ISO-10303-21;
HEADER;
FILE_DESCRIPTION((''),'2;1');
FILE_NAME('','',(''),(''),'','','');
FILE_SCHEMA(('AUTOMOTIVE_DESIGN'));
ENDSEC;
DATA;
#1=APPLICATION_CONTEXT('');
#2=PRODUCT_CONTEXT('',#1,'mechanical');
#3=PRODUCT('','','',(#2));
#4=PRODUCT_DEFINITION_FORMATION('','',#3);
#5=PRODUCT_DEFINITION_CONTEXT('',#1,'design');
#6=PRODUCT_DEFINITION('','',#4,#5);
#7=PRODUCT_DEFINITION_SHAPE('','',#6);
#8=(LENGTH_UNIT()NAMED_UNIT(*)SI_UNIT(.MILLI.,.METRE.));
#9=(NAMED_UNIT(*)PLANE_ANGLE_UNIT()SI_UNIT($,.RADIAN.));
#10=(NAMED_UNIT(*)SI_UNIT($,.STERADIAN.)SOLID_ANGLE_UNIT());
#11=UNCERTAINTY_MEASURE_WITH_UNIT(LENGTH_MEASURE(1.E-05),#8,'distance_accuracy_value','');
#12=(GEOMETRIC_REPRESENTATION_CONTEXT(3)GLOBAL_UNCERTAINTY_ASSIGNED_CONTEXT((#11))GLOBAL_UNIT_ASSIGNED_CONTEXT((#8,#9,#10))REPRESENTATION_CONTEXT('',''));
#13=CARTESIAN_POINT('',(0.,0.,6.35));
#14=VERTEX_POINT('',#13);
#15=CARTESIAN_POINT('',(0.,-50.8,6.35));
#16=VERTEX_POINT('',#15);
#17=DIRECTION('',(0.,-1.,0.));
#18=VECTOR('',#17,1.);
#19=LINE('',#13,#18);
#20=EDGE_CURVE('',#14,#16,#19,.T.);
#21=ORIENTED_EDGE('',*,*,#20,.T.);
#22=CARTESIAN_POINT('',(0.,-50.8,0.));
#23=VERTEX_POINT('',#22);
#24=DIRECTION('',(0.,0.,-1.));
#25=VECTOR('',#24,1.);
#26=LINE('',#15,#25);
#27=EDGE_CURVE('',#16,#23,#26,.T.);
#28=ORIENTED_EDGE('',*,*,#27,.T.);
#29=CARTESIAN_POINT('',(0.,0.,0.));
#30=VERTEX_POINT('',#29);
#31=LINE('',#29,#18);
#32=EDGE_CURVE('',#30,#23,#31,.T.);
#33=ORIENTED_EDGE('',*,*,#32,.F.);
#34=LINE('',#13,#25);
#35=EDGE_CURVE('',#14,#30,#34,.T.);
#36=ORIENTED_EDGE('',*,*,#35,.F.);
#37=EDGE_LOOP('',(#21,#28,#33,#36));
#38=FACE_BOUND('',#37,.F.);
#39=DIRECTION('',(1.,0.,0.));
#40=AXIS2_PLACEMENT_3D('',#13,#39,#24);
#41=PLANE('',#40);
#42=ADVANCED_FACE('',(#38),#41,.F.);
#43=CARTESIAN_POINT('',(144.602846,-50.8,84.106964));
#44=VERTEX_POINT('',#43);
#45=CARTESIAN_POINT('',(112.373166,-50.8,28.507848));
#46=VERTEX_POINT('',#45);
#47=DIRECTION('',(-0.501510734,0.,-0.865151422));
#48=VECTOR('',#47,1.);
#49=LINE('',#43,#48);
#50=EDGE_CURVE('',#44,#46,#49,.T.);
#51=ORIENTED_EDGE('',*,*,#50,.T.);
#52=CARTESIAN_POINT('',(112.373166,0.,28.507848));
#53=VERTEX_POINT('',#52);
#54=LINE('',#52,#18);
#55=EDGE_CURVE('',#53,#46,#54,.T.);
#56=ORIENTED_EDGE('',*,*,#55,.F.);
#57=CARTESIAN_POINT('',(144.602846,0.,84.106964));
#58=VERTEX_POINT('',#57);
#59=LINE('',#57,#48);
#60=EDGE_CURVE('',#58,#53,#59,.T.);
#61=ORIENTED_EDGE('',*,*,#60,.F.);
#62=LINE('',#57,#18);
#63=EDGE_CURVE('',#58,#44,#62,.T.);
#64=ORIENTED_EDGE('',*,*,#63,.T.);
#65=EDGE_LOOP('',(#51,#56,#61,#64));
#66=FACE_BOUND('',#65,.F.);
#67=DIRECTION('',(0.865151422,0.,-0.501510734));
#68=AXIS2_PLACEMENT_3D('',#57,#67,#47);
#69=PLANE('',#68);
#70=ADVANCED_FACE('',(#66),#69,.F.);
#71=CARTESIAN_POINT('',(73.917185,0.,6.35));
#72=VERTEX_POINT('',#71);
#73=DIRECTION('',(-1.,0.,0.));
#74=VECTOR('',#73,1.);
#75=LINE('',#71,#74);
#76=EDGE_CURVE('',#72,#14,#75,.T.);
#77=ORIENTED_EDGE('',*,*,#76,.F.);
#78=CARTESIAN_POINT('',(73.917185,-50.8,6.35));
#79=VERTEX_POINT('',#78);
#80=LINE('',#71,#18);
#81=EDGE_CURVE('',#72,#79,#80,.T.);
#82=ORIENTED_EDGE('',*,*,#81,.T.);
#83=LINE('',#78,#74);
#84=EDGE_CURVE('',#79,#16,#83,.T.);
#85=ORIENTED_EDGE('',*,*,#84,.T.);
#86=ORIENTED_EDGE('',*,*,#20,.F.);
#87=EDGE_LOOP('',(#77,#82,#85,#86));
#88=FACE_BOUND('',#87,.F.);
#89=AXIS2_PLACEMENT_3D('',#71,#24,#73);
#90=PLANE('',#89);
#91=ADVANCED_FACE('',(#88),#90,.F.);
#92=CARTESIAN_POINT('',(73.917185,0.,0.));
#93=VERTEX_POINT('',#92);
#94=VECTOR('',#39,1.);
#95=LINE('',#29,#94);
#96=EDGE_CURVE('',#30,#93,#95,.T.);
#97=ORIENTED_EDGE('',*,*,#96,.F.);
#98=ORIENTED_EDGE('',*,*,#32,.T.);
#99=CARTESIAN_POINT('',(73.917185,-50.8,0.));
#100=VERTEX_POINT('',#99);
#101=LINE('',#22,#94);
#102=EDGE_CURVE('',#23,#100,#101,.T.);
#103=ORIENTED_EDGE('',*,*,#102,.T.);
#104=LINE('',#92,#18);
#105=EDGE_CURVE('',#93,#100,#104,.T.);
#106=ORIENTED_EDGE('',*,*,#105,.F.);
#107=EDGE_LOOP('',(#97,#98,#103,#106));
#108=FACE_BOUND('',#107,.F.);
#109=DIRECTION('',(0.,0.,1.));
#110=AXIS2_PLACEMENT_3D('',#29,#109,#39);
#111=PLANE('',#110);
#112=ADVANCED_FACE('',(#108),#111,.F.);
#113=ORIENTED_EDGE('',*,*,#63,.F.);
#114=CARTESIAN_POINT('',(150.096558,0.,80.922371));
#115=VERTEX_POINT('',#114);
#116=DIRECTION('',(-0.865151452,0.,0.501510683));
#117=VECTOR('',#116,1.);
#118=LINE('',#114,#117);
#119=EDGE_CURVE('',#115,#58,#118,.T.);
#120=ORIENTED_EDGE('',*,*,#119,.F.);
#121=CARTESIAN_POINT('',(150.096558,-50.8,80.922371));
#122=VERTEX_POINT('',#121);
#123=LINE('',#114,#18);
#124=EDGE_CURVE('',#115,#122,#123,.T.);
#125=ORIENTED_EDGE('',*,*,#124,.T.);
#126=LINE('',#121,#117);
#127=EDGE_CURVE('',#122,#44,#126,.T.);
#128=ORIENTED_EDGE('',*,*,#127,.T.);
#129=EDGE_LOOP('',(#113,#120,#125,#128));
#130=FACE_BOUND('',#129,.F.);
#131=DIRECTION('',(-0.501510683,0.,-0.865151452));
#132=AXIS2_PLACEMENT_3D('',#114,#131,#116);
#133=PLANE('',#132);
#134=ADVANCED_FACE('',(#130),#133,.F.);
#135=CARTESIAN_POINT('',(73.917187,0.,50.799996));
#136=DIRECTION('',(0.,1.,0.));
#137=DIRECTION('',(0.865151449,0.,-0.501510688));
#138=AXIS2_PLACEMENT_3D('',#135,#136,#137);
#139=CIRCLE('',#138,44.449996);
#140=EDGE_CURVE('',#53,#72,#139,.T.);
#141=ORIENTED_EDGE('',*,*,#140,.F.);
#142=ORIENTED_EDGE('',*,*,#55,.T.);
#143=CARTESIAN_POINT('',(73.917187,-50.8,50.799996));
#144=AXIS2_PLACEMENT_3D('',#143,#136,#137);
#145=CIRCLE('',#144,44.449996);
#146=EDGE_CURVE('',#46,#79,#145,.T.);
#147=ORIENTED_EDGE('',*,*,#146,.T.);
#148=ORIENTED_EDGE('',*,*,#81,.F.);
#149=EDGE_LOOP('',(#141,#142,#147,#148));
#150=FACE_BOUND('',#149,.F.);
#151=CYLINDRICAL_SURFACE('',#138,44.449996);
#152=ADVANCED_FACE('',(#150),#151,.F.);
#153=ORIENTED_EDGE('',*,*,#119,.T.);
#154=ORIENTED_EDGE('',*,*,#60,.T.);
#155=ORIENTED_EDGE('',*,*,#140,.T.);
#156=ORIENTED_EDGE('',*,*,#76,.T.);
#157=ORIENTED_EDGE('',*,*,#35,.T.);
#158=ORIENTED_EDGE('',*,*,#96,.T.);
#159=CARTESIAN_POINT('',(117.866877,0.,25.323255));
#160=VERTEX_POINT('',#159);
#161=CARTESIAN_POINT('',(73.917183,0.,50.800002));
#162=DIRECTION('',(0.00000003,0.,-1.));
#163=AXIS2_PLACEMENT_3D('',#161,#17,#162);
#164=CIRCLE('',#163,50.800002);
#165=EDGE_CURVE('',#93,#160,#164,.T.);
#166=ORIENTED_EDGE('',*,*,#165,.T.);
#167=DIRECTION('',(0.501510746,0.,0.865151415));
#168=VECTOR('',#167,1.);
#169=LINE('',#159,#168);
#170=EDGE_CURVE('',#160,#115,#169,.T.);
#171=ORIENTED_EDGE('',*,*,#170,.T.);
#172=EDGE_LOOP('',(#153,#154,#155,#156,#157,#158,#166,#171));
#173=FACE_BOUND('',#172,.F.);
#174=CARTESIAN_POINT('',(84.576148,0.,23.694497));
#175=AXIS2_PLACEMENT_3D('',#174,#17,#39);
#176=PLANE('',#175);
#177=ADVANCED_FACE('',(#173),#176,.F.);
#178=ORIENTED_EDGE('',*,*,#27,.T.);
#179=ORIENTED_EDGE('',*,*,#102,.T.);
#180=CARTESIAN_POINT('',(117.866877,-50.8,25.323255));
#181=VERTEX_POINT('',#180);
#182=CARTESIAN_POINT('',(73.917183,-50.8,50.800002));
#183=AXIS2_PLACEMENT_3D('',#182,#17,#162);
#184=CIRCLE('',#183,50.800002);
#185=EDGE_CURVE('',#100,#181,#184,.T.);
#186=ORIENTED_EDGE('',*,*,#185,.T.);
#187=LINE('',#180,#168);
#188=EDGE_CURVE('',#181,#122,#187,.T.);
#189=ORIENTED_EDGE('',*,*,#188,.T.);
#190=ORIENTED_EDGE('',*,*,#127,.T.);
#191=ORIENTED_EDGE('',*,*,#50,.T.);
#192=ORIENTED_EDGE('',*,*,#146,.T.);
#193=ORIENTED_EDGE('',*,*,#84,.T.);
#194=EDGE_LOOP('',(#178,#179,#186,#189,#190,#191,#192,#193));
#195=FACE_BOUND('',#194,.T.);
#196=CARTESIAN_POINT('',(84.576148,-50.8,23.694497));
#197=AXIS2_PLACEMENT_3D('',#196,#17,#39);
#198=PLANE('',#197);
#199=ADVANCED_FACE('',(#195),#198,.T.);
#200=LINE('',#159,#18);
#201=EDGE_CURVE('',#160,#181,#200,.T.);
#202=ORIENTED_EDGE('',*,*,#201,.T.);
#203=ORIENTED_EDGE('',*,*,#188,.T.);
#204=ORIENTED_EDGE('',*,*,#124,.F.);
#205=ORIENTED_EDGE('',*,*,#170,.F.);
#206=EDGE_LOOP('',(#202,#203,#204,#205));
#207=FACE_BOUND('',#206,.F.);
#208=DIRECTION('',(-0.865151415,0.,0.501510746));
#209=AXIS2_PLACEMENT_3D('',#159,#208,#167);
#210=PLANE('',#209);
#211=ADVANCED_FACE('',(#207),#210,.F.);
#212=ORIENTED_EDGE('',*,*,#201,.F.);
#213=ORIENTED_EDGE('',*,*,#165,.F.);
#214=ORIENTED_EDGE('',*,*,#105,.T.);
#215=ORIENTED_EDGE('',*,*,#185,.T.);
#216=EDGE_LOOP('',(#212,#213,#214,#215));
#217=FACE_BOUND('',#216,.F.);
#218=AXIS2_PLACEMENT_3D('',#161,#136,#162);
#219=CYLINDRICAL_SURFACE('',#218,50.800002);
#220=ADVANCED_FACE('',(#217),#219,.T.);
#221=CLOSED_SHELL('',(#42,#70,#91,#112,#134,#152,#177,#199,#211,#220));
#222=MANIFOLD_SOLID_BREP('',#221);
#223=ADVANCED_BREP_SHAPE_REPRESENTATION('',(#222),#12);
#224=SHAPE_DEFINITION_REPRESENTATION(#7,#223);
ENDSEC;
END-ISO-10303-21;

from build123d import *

# Parameters (mm, degrees)
F1_DEPTH = 50.8


with BuildPart() as f1:
    # F0 (on Front) → F1 (new body)
    with BuildSketch(Plane.XZ):
        with BuildLine():
            Line((0, 6.35), (0, 0))
            Line((0, 0), (73.917185, 0))
            ThreePointArc((73.917185, 0), (99.278783, 6.783761), (117.866877, 25.323255))
            Line((117.866877, 25.323255), (150.096558, 80.922371))
            Line((150.096558, 80.922371), (144.602846, 84.106964))
            Line((144.602846, 84.106964), (112.373166, 28.507848))
            ThreePointArc((112.373166, 28.507848), (96.108584, 12.28579), (73.917185, 6.35))
            Line((73.917185, 6.35), (0, 6.35))
        make_face()
    extrude(amount=F1_DEPTH)


solid = f1.part
